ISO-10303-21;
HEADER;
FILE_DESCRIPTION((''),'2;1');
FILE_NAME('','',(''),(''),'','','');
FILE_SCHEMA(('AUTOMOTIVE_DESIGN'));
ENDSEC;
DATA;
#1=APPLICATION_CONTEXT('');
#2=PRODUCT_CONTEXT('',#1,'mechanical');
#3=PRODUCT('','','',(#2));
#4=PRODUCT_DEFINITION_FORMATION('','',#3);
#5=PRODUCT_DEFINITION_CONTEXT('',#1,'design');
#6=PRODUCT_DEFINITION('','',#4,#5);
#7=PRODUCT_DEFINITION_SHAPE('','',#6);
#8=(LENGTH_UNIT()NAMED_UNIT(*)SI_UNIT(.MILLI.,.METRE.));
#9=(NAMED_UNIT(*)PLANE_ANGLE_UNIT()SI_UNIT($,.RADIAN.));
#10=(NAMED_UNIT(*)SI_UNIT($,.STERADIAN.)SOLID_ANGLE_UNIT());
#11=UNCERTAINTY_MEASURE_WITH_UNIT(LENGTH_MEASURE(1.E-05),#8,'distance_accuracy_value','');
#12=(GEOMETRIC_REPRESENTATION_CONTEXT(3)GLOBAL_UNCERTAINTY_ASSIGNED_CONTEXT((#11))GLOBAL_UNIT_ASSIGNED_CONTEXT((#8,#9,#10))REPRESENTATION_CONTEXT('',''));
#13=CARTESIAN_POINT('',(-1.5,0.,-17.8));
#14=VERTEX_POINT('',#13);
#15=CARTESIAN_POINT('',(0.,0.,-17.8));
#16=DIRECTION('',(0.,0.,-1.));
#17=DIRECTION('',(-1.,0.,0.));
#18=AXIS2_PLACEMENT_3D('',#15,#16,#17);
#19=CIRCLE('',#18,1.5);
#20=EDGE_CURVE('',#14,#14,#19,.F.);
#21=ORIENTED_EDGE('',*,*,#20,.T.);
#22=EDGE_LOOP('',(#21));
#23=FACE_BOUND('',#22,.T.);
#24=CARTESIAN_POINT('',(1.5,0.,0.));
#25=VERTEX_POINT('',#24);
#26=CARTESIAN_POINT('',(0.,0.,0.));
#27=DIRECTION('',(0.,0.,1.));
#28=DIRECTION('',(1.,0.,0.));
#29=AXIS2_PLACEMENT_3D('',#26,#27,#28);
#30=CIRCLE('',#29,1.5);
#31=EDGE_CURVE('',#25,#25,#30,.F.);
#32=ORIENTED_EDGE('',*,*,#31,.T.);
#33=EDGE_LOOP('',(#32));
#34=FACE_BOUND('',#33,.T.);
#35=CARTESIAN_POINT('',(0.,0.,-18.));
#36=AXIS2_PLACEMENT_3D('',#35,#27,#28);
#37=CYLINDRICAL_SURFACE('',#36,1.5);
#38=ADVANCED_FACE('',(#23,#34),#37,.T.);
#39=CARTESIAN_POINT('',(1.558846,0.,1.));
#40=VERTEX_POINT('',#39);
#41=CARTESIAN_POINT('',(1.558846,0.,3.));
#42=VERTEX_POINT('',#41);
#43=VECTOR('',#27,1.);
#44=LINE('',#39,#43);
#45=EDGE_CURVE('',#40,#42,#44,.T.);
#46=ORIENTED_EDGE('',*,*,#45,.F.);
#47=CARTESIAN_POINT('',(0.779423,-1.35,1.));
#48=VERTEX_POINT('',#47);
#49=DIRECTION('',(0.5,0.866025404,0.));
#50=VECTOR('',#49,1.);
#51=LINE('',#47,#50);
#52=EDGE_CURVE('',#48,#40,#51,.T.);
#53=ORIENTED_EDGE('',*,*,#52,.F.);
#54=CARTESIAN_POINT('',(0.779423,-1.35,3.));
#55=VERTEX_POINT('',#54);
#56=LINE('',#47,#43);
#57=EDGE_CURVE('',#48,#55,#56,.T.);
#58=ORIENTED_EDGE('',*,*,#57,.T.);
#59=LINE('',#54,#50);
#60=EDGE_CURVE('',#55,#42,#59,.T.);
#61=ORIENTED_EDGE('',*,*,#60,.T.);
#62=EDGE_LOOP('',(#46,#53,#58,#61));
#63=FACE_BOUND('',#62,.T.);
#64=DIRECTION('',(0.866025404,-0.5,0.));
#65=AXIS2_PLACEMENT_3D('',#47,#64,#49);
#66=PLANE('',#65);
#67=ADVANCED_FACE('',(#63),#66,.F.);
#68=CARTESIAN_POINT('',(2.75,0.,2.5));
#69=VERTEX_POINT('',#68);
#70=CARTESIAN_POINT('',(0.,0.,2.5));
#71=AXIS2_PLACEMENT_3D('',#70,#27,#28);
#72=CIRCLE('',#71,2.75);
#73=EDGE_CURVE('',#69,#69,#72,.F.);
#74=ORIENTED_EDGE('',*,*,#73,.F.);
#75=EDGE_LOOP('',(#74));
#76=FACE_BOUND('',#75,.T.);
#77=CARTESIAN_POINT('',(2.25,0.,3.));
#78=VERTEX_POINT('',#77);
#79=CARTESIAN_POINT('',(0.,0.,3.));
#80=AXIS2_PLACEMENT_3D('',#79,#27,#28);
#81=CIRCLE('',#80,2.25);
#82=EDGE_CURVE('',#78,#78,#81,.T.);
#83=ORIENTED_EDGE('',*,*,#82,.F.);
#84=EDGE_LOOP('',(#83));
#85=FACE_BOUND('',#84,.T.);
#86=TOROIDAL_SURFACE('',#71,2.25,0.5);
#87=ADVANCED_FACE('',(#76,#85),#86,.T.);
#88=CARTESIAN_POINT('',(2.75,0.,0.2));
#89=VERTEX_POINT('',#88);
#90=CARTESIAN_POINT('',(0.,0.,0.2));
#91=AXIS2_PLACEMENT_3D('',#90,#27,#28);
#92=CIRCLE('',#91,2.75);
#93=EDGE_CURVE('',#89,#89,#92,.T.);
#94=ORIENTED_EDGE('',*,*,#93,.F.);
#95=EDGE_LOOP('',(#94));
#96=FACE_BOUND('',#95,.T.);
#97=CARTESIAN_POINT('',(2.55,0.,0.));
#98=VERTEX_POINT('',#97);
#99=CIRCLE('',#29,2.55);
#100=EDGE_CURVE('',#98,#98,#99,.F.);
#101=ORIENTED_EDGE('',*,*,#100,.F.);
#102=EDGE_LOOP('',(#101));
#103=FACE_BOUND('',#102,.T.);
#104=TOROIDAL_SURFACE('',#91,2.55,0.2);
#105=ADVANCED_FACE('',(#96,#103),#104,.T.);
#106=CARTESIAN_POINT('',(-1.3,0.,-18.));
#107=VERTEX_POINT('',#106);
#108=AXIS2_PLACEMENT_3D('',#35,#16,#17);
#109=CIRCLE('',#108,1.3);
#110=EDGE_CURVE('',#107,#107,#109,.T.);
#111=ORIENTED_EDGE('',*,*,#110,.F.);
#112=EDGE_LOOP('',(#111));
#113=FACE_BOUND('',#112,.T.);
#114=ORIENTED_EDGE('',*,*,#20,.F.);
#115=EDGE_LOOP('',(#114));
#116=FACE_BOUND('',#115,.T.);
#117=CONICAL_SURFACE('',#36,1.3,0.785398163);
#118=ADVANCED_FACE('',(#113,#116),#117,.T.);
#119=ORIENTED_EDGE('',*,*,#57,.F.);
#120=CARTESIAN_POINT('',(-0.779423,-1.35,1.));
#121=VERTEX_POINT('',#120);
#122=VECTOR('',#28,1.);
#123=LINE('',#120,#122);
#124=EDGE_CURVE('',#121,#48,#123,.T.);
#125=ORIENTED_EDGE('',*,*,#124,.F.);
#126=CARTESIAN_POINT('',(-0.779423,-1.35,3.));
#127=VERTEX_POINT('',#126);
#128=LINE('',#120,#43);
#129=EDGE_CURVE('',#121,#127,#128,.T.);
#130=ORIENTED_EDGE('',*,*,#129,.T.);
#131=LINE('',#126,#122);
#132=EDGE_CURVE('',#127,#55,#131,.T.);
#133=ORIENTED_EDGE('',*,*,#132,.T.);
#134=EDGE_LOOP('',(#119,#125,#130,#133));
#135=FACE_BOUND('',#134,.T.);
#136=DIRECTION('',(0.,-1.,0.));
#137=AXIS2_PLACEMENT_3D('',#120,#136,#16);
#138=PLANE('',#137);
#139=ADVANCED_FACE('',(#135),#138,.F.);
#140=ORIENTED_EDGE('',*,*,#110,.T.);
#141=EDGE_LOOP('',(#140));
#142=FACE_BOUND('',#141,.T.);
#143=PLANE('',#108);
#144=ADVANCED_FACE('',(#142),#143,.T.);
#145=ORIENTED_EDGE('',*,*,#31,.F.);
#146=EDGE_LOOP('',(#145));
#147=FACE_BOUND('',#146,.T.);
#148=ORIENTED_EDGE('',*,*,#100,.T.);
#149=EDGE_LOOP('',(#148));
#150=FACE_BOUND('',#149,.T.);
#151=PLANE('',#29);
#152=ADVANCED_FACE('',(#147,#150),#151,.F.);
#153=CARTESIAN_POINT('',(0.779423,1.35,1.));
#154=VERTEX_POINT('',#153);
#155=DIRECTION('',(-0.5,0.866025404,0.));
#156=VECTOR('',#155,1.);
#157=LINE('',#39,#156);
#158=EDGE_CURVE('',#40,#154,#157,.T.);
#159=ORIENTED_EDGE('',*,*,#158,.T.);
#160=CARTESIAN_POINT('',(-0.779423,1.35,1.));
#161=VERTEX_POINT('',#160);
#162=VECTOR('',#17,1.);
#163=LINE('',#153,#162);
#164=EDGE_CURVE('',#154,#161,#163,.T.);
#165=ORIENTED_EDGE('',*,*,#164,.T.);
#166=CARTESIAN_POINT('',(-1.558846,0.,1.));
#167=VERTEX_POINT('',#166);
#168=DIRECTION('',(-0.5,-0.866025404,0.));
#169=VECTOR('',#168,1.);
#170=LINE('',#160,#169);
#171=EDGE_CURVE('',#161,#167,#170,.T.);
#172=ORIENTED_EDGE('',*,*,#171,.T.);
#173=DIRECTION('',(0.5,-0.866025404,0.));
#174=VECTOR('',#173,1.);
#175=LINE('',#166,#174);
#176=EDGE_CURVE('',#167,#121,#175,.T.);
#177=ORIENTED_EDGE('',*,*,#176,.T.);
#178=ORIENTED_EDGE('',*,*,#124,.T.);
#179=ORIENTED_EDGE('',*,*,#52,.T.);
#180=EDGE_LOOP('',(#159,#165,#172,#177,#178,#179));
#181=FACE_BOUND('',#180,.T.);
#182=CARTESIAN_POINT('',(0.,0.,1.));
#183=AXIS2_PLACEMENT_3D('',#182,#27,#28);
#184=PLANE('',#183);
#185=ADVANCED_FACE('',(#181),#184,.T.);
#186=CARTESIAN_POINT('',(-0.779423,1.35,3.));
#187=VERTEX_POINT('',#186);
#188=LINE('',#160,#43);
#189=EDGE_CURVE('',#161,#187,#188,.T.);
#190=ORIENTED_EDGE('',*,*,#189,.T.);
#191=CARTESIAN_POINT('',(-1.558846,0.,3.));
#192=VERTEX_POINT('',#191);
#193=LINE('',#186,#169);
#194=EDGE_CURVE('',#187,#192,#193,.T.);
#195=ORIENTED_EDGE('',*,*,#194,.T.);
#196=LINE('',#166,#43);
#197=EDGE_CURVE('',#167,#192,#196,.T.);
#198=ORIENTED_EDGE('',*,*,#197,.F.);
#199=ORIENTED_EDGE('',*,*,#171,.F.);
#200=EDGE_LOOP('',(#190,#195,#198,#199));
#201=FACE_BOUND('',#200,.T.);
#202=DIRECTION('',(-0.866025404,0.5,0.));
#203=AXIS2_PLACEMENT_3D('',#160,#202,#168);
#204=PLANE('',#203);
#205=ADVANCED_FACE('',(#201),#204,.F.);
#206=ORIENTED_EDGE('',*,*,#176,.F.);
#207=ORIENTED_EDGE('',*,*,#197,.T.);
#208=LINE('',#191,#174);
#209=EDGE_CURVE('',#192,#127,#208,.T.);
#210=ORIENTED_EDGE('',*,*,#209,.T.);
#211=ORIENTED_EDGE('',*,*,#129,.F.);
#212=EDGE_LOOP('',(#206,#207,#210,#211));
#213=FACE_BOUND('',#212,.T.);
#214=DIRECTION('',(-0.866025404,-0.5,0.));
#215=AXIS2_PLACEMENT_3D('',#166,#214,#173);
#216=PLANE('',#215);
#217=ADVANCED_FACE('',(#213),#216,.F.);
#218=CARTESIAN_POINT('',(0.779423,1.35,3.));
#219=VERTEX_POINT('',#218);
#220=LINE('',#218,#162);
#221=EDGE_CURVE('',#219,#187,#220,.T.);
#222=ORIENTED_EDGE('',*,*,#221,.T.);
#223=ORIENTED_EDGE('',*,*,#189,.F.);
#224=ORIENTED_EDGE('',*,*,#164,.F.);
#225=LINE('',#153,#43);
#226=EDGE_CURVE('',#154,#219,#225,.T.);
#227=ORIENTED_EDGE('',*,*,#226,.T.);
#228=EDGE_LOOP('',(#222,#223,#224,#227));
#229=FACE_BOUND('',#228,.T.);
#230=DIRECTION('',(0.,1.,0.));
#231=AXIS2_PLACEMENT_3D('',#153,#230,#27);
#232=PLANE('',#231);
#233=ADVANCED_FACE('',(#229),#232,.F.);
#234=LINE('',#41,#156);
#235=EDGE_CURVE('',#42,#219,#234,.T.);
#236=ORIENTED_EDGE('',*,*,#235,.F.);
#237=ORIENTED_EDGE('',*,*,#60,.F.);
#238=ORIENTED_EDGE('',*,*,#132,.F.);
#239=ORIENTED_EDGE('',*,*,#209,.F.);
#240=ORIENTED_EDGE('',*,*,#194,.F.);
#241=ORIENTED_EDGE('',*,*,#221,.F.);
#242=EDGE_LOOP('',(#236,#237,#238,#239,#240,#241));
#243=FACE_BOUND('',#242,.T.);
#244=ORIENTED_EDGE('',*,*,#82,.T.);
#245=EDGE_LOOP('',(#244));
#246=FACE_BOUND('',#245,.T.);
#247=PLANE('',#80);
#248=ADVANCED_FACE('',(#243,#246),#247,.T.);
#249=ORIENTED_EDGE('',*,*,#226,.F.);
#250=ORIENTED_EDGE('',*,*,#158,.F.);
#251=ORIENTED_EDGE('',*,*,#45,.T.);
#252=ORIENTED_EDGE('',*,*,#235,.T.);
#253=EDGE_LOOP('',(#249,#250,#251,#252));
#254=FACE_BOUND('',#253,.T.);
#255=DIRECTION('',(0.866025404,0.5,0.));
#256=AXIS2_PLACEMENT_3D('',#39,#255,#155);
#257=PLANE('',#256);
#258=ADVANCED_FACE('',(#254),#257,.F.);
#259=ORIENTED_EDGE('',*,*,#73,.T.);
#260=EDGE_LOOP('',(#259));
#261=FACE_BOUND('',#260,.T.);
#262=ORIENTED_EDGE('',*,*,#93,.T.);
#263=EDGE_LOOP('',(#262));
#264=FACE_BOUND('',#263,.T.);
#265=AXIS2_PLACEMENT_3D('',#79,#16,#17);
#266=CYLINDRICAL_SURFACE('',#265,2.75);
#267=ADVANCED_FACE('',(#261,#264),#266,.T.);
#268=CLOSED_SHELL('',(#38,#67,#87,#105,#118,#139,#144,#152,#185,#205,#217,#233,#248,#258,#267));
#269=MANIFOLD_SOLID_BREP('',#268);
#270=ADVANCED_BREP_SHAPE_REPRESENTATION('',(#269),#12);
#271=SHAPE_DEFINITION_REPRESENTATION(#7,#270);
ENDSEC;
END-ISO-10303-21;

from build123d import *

# Parameters (mm, degrees)
SKETCH_1_R          = 2.75
EXTRUDE_1_DEPTH     = 3
FILLET_1_R          = 0.5
CUT_EXTRUDE_1_DEPTH = 2
SKETCH_3_R          = 1.5
EXTRUDE_2_DEPTH     = 18
CHAMFER_1_SIZE      = 0.2
FILLET_2_R          = 0.2


with BuildPart() as part:
    # 草图1 → 凸台-拉伸1 (new body)
    with BuildSketch(Plane.XY):
        Circle(SKETCH_1_R)
    extrude(amount=EXTRUDE_1_DEPTH)

    # 圆角1
    fillet_1_edges = [part.edges().sort_by_distance(p)[0] for p in [
        (-2.75, 0, 3),
    ]]
    fillet(fillet_1_edges, radius=FILLET_1_R)

    # 草图2 → 切除-拉伸1 (cut)
    with BuildSketch(Plane.XY.offset(3)):
        Polygon((1.558845727, 0), (0.779422863, 1.35), (-0.779422863, 1.35), (-1.558845727, 0), (-0.779422863, -1.35), (0.779422863, -1.35), align=None)
    extrude(amount=-CUT_EXTRUDE_1_DEPTH, mode=Mode.SUBTRACT)

    # 草图3 → 凸台-拉伸2 (add)
    with BuildSketch(Plane(origin=(0, 0, 0), x_dir=(-1, 0, 0), z_dir=(0, 0, -1))):
        Circle(SKETCH_3_R)
    extrude(amount=EXTRUDE_2_DEPTH)

    # 倒角1
    chamfer_1_edges = [part.edges().sort_by_distance(p)[0] for p in [
        (1.5, 0, -18),
    ]]
    chamfer(chamfer_1_edges, length=CHAMFER_1_SIZE)

    # 圆角2
    fillet_2_edges = [part.edges().sort_by_distance(p)[0] for p in [
        (-2.75, 0, 0),
    ]]
    fillet(fillet_2_edges, radius=FILLET_2_R)


solid = part.part
